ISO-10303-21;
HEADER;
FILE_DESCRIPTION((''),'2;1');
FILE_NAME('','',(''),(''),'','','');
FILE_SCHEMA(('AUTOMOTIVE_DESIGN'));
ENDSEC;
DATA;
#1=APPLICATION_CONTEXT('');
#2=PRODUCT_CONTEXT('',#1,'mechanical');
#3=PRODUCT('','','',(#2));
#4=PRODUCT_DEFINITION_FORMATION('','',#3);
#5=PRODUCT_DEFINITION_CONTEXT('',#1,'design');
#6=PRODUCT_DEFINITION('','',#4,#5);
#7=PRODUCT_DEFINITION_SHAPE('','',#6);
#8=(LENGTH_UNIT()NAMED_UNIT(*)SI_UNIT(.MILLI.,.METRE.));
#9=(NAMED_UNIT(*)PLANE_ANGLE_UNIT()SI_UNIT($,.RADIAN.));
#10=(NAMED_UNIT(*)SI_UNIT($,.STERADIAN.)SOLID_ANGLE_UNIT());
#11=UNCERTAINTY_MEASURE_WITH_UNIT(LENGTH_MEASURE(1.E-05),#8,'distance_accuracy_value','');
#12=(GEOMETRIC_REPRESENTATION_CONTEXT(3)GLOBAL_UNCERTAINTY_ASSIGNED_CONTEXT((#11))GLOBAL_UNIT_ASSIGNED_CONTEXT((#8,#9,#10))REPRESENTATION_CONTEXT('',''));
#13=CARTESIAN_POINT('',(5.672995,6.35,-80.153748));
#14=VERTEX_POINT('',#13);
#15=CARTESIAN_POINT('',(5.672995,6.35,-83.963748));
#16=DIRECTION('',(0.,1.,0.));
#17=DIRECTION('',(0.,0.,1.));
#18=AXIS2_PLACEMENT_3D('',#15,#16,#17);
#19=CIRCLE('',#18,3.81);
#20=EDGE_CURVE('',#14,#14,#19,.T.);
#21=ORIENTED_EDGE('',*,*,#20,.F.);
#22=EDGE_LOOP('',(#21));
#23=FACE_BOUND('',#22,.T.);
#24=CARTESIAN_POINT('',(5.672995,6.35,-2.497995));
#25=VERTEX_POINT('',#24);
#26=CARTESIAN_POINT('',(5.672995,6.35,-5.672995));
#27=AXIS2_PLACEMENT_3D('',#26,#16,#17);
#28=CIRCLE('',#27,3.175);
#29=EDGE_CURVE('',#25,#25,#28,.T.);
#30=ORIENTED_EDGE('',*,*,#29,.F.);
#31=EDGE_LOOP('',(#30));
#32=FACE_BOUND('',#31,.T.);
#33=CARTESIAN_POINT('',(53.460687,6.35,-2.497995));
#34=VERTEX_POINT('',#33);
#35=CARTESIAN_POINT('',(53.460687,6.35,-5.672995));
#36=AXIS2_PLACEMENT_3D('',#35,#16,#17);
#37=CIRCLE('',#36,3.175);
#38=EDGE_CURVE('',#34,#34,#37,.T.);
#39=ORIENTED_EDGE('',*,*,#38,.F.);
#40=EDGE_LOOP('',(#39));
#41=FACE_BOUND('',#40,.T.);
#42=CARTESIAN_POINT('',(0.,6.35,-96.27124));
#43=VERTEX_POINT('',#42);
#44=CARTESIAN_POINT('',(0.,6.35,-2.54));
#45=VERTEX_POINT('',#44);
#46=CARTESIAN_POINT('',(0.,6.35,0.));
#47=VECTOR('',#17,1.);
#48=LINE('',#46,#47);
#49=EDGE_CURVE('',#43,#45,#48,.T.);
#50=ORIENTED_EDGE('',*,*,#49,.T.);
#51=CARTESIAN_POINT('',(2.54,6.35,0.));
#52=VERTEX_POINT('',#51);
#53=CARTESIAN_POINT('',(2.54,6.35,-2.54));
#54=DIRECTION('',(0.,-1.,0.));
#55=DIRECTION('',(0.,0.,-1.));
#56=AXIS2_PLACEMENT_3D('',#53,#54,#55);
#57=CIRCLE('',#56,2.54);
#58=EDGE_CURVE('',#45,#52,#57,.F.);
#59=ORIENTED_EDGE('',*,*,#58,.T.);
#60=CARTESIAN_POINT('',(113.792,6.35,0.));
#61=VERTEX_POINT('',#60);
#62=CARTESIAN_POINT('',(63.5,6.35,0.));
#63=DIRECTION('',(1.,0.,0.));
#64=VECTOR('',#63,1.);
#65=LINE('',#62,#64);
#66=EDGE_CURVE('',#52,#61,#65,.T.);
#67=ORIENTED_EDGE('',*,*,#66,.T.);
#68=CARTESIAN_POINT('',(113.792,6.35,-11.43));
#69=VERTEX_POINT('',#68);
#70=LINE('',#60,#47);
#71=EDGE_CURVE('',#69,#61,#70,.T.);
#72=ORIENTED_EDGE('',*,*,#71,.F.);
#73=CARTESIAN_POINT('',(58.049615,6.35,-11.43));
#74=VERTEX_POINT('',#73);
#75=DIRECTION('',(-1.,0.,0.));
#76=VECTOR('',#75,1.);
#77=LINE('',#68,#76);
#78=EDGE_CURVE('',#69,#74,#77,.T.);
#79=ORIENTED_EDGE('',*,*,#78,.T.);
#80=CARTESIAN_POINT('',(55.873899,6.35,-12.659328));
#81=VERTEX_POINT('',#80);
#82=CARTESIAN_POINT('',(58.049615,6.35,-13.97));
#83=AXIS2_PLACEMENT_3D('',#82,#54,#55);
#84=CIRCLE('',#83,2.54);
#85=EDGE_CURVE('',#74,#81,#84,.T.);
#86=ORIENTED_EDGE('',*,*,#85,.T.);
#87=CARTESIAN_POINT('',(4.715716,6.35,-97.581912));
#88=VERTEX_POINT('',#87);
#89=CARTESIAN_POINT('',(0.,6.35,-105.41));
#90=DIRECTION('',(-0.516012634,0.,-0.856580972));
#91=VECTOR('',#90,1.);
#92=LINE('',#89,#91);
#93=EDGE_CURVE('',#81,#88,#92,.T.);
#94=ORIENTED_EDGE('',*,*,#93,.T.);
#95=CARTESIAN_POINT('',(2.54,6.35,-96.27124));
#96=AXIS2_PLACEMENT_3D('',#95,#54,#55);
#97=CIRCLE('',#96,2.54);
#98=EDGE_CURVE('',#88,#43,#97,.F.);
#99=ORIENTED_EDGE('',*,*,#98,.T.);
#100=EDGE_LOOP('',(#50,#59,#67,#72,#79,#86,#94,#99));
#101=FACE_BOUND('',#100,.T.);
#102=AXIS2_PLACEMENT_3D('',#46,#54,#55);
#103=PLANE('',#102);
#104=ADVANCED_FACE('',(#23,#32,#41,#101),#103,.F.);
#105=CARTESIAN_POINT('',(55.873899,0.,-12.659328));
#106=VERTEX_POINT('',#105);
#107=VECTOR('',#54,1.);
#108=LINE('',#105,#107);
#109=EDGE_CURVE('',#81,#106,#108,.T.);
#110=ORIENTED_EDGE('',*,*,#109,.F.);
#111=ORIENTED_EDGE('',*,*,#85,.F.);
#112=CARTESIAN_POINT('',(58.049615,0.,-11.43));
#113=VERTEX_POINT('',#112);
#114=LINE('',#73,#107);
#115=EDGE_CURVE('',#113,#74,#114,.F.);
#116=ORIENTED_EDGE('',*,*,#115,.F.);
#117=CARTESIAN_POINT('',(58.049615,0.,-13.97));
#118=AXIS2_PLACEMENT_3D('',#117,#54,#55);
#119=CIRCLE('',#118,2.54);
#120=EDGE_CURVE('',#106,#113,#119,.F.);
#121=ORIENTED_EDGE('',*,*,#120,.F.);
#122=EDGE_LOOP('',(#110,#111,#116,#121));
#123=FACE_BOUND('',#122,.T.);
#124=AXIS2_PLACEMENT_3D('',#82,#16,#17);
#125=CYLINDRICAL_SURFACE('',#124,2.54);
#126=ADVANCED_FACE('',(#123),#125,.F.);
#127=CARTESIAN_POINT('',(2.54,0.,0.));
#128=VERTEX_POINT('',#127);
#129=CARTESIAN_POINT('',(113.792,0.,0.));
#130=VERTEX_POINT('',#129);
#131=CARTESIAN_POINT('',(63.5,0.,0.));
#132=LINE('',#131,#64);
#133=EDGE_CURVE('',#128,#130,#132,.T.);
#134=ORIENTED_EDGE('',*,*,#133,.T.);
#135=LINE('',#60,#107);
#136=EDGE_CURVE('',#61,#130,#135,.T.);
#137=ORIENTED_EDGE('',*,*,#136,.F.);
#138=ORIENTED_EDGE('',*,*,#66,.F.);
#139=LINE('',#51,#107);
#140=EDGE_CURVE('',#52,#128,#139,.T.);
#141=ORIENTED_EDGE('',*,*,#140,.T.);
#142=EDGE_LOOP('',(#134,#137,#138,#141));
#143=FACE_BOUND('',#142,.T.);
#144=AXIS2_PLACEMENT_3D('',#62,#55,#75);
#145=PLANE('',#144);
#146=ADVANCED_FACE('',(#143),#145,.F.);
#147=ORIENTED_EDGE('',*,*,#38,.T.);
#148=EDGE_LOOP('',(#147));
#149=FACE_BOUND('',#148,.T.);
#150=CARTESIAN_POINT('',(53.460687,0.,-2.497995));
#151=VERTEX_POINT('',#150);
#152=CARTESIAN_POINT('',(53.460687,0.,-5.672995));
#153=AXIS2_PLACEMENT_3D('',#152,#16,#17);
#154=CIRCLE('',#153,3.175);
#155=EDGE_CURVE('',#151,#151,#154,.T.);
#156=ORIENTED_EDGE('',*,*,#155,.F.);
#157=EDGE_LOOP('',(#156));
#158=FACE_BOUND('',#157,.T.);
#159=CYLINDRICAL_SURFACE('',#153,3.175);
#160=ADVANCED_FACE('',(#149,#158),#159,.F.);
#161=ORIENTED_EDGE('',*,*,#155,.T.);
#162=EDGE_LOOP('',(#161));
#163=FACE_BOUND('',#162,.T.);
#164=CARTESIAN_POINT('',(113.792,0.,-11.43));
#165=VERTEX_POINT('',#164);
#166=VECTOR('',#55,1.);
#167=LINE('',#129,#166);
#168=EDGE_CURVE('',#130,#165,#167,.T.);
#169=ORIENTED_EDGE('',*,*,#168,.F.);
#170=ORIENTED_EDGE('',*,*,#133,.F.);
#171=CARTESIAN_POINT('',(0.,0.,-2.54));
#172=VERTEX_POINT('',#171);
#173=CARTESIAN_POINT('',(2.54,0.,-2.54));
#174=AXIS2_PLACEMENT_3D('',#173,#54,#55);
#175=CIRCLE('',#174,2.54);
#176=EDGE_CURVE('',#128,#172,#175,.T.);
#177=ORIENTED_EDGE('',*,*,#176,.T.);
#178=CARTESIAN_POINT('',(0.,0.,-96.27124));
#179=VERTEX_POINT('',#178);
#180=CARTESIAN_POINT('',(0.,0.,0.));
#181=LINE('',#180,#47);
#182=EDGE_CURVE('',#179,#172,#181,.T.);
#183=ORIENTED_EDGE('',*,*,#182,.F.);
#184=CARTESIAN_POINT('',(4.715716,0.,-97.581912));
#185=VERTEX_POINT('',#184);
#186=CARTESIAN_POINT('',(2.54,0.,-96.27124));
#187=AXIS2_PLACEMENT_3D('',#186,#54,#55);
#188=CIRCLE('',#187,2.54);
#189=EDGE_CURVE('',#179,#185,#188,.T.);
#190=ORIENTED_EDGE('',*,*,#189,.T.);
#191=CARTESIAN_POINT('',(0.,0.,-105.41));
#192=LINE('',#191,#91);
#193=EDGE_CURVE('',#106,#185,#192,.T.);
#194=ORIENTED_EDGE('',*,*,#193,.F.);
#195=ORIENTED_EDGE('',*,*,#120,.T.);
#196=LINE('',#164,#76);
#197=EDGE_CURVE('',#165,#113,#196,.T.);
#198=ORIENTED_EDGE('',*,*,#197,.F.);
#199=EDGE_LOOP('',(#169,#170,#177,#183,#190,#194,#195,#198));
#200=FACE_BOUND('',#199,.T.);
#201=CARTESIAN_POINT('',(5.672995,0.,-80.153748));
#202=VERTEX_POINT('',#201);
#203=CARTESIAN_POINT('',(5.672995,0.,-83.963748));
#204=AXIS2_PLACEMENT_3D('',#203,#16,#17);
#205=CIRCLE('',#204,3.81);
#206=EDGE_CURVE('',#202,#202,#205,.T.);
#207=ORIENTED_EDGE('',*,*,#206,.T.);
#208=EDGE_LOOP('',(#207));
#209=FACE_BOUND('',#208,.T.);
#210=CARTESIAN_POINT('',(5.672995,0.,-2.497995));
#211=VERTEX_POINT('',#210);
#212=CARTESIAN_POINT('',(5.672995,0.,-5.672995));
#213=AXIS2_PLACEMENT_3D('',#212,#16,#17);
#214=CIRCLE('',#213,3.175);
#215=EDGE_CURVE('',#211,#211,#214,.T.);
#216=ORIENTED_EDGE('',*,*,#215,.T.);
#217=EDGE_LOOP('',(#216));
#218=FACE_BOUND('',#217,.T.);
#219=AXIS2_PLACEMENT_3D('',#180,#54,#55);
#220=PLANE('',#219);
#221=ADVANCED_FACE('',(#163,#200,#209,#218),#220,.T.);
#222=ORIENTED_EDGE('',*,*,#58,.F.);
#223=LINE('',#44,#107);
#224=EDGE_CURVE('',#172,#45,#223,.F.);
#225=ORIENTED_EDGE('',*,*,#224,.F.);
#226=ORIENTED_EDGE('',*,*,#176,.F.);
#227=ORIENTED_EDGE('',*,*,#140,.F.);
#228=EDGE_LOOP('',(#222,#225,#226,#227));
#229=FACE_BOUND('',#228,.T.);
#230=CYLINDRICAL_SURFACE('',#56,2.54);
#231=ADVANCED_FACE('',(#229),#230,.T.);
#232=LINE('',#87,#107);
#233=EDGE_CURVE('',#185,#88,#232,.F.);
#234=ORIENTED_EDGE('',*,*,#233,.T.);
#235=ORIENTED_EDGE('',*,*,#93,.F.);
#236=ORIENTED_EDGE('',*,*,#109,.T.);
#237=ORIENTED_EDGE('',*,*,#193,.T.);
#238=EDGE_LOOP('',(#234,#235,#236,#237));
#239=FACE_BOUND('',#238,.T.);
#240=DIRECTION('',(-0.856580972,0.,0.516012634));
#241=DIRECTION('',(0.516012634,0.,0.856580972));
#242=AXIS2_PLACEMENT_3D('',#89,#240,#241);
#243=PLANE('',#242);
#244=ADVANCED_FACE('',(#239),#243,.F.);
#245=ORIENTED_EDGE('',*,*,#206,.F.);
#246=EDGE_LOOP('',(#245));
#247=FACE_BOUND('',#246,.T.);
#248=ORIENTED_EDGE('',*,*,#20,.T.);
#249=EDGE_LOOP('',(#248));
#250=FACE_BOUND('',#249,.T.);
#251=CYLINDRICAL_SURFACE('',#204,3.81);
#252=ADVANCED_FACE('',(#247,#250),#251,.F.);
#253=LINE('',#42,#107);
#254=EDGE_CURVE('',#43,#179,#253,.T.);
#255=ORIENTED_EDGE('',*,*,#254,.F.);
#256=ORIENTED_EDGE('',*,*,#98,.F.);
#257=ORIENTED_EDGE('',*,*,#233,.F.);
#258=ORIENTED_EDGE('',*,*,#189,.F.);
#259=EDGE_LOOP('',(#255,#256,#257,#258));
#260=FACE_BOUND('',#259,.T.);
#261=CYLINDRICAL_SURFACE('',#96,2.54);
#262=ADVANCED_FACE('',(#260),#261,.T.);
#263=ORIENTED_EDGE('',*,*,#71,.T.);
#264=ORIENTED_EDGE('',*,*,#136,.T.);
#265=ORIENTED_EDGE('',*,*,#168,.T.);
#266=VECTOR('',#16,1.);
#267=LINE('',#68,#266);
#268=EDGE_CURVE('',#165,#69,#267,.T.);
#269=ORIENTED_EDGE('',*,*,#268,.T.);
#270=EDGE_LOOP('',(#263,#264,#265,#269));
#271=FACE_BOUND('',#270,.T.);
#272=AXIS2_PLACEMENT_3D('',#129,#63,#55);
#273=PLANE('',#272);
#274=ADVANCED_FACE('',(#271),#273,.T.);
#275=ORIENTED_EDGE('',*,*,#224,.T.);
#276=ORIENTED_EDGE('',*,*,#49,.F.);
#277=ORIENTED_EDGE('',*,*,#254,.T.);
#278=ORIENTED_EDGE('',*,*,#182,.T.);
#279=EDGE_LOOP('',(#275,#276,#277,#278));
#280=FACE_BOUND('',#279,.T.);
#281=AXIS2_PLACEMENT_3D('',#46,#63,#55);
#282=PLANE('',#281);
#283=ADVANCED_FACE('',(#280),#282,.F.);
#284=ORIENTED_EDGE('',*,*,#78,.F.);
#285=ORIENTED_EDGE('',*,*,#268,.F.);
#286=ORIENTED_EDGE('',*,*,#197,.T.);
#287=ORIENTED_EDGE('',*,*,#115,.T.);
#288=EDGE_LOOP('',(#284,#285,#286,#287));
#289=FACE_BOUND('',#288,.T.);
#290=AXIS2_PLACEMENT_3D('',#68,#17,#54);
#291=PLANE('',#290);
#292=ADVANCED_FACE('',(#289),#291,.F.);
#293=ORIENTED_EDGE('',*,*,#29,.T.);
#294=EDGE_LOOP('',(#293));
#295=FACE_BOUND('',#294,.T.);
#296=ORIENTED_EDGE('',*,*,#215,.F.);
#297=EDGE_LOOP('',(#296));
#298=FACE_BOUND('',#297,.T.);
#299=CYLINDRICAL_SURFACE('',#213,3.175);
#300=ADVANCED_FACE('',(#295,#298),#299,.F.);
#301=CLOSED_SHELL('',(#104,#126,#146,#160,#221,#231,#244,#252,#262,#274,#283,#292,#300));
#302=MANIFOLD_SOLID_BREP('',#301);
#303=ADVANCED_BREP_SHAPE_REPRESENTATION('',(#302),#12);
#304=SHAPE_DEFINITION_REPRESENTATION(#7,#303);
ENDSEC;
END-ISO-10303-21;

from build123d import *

# Parameters (mm, degrees)
BOSS_EXTRUDE1_DEPTH = 6.35
FILLET1_R           = 2.54
SKETCH3_R           = 3.81
SKETCH3_R_2         = 3.175
CUT_EXTRUDE1_DEPTH  = 118.627520719
SKETCH7_W           = 11.43
SKETCH7_H           = 6.35
BOSS_EXTRUDE3_DEPTH = 56.642
SKETCH8_W           = 0.889
SKETCH8_H           = 6.35
BOSS_EXTRUDE4_DEPTH = 1.27
FILLET2_R           = 2.54


with BuildPart() as part:
    # Sketch1 → Boss-Extrude1 (new body)
    with BuildSketch(Plane(origin=(0, 0, 0), x_dir=(1, 0, 0), z_dir=(0, 1, 0))):
        Polygon((0, 0), (0, 105.41), (63.5, 0), align=None)
    extrude(amount=BOSS_EXTRUDE1_DEPTH)

    # Fillet1
    fillet1_edges = [part.edges().sort_by_distance(p)[0] for p in [
        (0, 3.175, 0),
        (0, 3.175, -105.41),
    ]]
    fillet(fillet1_edges, radius=FILLET1_R)

    # Sketch3 → Cut-Extrude1 (cut, through all)
    with BuildSketch(Plane(origin=(0, 6.35, 0), x_dir=(1, 0, 0), z_dir=(0, 1, 0))):
        with Locations(Location((5.67299463, 83.963748496, 0), (0, 0, 270))):
            Circle(SKETCH3_R)
        with Locations(Location((5.67299463, 5.67299463, 0), (0, 0, 270))):
            Circle(SKETCH3_R_2)
        with Locations(Location((53.460687214, 5.67299463, 0), (0, 0, 270))):
            Circle(SKETCH3_R_2)
    extrude(amount=-CUT_EXTRUDE1_DEPTH, mode=Mode.SUBTRACT)

    # Sketch7 → Boss-Extrude3 (add)
    with BuildSketch(Plane(origin=(57.15, 0, 0), x_dir=(0, 0, -1), z_dir=(1, 0, 0))):
        with Locations((5.715, 3.175)):
            Rectangle(SKETCH7_W, SKETCH7_H)
    extrude(amount=BOSS_EXTRUDE3_DEPTH)

    # Sketch8 → Boss-Extrude4 (add)
    with BuildSketch(Plane(origin=(57.15, 0, 0), x_dir=(0, 0, -1), z_dir=(1, 0, 0))):
        with Locations((10.9855, 3.175)):
            Rectangle(SKETCH8_W, SKETCH8_H)
    extrude(amount=-BOSS_EXTRUDE4_DEPTH)

    # Fillet2
    fillet2_edges = [part.edges().sort_by_distance(p)[0] for p in [
        (56.614457831, 3.175, -11.43),
    ]]
    fillet(fillet2_edges, radius=FILLET2_R)


solid = part.part
